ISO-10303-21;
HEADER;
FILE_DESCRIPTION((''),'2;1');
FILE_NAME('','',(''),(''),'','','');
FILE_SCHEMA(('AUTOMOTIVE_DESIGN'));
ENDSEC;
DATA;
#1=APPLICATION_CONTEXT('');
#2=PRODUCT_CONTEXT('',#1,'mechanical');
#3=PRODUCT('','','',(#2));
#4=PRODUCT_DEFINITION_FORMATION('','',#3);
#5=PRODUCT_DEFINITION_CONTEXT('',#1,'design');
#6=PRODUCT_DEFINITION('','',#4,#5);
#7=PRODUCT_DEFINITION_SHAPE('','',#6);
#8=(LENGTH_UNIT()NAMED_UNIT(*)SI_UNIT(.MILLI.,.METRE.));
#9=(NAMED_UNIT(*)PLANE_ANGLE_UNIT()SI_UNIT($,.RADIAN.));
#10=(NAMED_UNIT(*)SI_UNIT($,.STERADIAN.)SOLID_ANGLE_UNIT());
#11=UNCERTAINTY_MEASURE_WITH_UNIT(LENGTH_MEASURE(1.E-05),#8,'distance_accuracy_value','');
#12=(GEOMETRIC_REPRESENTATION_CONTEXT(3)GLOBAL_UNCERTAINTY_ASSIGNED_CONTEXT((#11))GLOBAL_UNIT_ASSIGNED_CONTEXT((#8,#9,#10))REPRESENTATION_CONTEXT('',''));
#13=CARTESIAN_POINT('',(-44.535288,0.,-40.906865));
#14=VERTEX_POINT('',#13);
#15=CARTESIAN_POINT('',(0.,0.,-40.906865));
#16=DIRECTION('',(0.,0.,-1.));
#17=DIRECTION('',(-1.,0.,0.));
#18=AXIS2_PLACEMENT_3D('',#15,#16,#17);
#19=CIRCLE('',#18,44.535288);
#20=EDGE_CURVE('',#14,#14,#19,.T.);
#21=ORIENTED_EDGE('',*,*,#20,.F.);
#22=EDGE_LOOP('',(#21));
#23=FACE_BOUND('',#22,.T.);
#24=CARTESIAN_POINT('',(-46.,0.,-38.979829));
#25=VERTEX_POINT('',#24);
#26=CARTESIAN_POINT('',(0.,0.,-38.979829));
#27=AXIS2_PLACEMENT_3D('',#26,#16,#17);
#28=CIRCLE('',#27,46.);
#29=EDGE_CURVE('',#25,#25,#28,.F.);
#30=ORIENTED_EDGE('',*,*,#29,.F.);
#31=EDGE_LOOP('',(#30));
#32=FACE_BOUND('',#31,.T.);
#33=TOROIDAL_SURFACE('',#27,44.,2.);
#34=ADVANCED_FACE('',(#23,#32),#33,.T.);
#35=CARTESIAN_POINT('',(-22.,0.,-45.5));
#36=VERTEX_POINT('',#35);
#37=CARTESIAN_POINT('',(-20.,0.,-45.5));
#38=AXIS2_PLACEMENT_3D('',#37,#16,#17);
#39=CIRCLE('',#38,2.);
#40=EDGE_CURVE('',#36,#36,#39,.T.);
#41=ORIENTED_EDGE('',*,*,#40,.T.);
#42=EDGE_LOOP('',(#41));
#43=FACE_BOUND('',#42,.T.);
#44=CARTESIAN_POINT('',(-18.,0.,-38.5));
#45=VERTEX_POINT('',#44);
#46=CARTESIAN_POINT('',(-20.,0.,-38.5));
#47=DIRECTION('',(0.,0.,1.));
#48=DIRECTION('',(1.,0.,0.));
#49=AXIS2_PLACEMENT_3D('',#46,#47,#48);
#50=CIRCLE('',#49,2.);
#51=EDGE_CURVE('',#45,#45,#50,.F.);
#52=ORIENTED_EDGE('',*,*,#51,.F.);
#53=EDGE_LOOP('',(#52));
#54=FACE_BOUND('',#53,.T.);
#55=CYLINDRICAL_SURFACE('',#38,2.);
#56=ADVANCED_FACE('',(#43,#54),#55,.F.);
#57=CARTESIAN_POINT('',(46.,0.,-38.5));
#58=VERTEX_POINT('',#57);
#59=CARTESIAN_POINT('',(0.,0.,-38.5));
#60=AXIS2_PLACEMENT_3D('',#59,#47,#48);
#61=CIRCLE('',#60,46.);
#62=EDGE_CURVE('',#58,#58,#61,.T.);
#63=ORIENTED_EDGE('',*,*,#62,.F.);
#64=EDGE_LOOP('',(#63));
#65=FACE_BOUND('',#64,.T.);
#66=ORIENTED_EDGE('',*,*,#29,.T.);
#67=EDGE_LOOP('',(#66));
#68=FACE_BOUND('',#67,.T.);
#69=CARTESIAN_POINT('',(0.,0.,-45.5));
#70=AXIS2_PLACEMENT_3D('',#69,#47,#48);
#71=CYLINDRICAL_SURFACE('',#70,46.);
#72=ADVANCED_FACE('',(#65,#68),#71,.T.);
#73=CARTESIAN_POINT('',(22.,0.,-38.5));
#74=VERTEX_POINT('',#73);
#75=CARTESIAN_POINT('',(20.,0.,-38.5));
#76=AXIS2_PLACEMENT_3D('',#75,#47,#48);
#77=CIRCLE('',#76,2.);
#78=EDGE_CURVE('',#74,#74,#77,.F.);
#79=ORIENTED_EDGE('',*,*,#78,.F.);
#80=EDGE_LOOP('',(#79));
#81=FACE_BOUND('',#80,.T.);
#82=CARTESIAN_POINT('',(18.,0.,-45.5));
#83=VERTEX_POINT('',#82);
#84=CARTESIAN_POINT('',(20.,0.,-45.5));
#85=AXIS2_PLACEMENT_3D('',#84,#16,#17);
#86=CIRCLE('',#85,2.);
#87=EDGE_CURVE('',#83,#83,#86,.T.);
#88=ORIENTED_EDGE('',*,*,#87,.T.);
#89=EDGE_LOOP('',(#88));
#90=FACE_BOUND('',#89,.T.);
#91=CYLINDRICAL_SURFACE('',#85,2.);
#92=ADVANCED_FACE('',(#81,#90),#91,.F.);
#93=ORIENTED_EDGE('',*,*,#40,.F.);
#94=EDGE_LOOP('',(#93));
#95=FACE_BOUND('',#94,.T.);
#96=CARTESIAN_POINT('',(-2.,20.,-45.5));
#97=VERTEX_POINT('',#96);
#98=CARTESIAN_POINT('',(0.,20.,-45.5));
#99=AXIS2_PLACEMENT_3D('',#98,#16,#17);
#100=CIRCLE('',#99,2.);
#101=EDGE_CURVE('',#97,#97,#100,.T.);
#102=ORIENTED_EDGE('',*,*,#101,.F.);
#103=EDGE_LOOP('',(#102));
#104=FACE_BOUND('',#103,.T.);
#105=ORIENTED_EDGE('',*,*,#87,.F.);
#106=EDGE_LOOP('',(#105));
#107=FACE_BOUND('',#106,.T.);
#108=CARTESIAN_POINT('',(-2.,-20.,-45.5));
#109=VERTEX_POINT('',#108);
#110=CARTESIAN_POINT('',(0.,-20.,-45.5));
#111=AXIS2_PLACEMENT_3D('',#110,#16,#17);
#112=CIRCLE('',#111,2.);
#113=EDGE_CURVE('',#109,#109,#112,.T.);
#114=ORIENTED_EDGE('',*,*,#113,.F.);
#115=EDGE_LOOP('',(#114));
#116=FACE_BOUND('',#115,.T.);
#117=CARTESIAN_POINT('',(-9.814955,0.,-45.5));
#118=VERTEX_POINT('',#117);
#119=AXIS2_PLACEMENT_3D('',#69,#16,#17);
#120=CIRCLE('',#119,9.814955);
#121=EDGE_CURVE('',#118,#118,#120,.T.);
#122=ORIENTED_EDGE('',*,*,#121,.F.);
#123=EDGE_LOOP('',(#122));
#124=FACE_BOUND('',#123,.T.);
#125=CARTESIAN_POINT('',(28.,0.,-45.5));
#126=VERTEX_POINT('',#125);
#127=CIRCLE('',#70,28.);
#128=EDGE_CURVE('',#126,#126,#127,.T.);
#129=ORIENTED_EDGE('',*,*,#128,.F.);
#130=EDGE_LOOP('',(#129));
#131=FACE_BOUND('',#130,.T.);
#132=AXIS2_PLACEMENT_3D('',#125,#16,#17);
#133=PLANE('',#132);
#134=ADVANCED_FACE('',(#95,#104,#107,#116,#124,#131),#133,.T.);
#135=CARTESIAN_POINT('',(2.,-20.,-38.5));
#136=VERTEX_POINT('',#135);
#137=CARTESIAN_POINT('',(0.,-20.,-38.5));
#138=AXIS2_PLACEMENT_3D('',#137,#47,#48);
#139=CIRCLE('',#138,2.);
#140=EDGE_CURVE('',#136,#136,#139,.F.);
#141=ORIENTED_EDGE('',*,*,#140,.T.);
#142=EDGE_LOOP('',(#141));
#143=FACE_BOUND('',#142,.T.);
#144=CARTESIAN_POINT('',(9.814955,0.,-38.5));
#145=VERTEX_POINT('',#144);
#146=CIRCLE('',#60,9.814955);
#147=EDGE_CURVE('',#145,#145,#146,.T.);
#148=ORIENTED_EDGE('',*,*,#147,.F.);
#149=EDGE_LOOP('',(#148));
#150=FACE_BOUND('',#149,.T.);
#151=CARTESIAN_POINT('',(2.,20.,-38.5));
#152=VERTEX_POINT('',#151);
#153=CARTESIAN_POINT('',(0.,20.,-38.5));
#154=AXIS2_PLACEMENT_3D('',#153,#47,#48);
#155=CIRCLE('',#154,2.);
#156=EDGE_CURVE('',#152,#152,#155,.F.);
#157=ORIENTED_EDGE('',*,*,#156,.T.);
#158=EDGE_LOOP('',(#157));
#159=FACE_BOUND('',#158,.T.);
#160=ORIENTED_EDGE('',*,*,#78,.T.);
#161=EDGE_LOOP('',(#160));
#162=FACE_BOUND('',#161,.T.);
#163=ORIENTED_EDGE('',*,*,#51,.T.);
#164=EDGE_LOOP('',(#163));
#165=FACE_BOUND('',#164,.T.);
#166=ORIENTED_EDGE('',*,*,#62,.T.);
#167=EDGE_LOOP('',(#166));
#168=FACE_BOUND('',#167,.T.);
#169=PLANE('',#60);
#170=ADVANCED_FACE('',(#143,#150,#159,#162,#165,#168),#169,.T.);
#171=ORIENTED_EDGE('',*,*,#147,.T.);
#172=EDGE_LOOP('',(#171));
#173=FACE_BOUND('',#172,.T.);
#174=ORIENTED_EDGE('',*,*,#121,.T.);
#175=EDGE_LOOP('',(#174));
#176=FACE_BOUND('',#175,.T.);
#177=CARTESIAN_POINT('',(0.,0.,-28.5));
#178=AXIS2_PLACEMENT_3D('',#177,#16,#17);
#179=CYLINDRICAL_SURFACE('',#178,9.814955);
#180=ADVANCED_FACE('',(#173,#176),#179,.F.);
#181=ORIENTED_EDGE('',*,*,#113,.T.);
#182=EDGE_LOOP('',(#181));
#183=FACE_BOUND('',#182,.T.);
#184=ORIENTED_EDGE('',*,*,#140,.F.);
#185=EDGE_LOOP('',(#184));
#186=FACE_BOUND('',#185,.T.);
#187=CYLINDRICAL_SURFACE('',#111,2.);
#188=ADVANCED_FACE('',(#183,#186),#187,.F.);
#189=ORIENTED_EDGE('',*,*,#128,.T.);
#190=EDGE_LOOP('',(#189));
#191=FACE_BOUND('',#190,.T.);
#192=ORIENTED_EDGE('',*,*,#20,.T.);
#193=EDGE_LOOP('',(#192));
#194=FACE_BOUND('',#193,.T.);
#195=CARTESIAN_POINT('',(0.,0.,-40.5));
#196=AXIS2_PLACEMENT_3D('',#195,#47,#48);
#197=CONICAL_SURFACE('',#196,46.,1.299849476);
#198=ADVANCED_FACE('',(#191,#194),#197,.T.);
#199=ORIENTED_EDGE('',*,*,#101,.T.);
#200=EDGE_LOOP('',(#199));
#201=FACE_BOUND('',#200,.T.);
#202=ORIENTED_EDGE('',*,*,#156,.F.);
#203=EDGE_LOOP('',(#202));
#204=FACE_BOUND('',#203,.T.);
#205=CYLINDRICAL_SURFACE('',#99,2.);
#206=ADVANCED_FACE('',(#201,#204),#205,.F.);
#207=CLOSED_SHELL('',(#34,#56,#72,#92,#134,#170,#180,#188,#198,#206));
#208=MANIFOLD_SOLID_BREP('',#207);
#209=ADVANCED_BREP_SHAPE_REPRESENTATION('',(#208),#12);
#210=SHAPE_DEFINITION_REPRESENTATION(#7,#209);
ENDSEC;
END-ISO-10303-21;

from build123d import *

# Parameters (mm, degrees)
BOSS_EXTRUDE1_DEPTH          = 4
SKETCH3_R                    = 1.5
BOSS_EXTRUDE2_DEPTH          = 6
F_3_0_3_DIAMETER_HOLE1_D     = 3
F_3_0_3_DIAMETER_HOLE1_DEPTH = 10
F_4_0_4_DIAMETER_HOLE1_D     = 4
F_4_0_4_DIAMETER_HOLE1_DEPTH = 10
FILLET1_R                    = 2
FILLET2_R                    = 14.5
CUT_EXTRUDE1_DEPTH           = 73.945185819
CUT_EXTRUDE1_DEPTH_BACK      = 22
SKETCH8_R                    = 46
SKETCH9_R                    = 9.814954576
CUT_EXTRUDE2_DEPTH           = 21


with BuildPart() as part:
    # Sketch1 → Revolve1 (revolve)
    with BuildSketch(Plane(origin=(0, 0, 0), x_dir=(1, 0, 0), z_dir=(0, 1, 0))):
        Polygon((28, 45.5), (0, 45.5), (0, 16.5), (36, 16.5), (46, 26.5), (46, 40.5), align=None)
    revolve(axis=Axis((0, 0, -45.5), (0, 0, 1)))

    # Sketch2 → Boss-Extrude1 (add)
    with BuildSketch(Plane(origin=(0, 0, -45.5), x_dir=(-1, 0, 0), z_dir=(0, 0, -1))):
        Polygon((-9.814954576, 0), (-4.907477288, 8.5), (4.907477288, 8.5), (9.814954576, 0), (4.907477288, -8.5), (-4.907477288, -8.5), align=None)
    extrude(amount=BOSS_EXTRUDE1_DEPTH)

    # Sketch3 → Boss-Extrude2 (add)
    with BuildSketch(Plane.XY.offset(-16.5)):
        Circle(SKETCH3_R)
    extrude(amount=BOSS_EXTRUDE2_DEPTH)

    # Ø3.0 (3) Diameter Hole1
    with Locations(Plane.XY.offset(-16.5)):
        with Locations((-15.5, 0), (0, 15.5), (0, -15.5), (15.5, 0)):
            Hole(F_3_0_3_DIAMETER_HOLE1_D / 2, depth=F_3_0_3_DIAMETER_HOLE1_DEPTH)

    # Ø4.0 (4) Diameter Hole1
    with Locations(Plane(origin=(0, 0, -45.5), x_dir=(-1, 0, 0), z_dir=(0, 0, -1))):
        with Locations((0, -20), (-20, 0), (20, 0), (0, 20)):
            Hole(F_4_0_4_DIAMETER_HOLE1_D / 2, depth=F_4_0_4_DIAMETER_HOLE1_DEPTH)

    # Fillet1
    fillet1_edges = [part.edges().sort_by_distance(p)[0] for p in [
        (-46, 0, -40.5),
        (-46, 0, -26.5),
    ]]
    fillet(fillet1_edges, radius=FILLET1_R)

    # Fillet2
    fillet2_edges = [part.edges().sort_by_distance(p)[0] for p in [
        (-36, 0, -16.5),
    ]]
    fillet(fillet2_edges, radius=FILLET2_R)

    # Sketch8 → Cut-Extrude1 (cut, two sides: drawn at the far end of the back side and taken through both)
    with BuildSketch(Plane.XY.offset(-16.5).offset(-CUT_EXTRUDE1_DEPTH_BACK)):
        Circle(SKETCH8_R)
    extrude(amount=CUT_EXTRUDE1_DEPTH + CUT_EXTRUDE1_DEPTH_BACK, mode=Mode.SUBTRACT)

    # Sketch9 → Cut-Extrude2 (cut)
    with BuildSketch(Plane(origin=(0, 0, -49.5), x_dir=(-1, 0, 0), z_dir=(0, 0, -1))):
        Circle(SKETCH9_R)
    extrude(amount=-CUT_EXTRUDE2_DEPTH, mode=Mode.SUBTRACT)


solid = part.part
